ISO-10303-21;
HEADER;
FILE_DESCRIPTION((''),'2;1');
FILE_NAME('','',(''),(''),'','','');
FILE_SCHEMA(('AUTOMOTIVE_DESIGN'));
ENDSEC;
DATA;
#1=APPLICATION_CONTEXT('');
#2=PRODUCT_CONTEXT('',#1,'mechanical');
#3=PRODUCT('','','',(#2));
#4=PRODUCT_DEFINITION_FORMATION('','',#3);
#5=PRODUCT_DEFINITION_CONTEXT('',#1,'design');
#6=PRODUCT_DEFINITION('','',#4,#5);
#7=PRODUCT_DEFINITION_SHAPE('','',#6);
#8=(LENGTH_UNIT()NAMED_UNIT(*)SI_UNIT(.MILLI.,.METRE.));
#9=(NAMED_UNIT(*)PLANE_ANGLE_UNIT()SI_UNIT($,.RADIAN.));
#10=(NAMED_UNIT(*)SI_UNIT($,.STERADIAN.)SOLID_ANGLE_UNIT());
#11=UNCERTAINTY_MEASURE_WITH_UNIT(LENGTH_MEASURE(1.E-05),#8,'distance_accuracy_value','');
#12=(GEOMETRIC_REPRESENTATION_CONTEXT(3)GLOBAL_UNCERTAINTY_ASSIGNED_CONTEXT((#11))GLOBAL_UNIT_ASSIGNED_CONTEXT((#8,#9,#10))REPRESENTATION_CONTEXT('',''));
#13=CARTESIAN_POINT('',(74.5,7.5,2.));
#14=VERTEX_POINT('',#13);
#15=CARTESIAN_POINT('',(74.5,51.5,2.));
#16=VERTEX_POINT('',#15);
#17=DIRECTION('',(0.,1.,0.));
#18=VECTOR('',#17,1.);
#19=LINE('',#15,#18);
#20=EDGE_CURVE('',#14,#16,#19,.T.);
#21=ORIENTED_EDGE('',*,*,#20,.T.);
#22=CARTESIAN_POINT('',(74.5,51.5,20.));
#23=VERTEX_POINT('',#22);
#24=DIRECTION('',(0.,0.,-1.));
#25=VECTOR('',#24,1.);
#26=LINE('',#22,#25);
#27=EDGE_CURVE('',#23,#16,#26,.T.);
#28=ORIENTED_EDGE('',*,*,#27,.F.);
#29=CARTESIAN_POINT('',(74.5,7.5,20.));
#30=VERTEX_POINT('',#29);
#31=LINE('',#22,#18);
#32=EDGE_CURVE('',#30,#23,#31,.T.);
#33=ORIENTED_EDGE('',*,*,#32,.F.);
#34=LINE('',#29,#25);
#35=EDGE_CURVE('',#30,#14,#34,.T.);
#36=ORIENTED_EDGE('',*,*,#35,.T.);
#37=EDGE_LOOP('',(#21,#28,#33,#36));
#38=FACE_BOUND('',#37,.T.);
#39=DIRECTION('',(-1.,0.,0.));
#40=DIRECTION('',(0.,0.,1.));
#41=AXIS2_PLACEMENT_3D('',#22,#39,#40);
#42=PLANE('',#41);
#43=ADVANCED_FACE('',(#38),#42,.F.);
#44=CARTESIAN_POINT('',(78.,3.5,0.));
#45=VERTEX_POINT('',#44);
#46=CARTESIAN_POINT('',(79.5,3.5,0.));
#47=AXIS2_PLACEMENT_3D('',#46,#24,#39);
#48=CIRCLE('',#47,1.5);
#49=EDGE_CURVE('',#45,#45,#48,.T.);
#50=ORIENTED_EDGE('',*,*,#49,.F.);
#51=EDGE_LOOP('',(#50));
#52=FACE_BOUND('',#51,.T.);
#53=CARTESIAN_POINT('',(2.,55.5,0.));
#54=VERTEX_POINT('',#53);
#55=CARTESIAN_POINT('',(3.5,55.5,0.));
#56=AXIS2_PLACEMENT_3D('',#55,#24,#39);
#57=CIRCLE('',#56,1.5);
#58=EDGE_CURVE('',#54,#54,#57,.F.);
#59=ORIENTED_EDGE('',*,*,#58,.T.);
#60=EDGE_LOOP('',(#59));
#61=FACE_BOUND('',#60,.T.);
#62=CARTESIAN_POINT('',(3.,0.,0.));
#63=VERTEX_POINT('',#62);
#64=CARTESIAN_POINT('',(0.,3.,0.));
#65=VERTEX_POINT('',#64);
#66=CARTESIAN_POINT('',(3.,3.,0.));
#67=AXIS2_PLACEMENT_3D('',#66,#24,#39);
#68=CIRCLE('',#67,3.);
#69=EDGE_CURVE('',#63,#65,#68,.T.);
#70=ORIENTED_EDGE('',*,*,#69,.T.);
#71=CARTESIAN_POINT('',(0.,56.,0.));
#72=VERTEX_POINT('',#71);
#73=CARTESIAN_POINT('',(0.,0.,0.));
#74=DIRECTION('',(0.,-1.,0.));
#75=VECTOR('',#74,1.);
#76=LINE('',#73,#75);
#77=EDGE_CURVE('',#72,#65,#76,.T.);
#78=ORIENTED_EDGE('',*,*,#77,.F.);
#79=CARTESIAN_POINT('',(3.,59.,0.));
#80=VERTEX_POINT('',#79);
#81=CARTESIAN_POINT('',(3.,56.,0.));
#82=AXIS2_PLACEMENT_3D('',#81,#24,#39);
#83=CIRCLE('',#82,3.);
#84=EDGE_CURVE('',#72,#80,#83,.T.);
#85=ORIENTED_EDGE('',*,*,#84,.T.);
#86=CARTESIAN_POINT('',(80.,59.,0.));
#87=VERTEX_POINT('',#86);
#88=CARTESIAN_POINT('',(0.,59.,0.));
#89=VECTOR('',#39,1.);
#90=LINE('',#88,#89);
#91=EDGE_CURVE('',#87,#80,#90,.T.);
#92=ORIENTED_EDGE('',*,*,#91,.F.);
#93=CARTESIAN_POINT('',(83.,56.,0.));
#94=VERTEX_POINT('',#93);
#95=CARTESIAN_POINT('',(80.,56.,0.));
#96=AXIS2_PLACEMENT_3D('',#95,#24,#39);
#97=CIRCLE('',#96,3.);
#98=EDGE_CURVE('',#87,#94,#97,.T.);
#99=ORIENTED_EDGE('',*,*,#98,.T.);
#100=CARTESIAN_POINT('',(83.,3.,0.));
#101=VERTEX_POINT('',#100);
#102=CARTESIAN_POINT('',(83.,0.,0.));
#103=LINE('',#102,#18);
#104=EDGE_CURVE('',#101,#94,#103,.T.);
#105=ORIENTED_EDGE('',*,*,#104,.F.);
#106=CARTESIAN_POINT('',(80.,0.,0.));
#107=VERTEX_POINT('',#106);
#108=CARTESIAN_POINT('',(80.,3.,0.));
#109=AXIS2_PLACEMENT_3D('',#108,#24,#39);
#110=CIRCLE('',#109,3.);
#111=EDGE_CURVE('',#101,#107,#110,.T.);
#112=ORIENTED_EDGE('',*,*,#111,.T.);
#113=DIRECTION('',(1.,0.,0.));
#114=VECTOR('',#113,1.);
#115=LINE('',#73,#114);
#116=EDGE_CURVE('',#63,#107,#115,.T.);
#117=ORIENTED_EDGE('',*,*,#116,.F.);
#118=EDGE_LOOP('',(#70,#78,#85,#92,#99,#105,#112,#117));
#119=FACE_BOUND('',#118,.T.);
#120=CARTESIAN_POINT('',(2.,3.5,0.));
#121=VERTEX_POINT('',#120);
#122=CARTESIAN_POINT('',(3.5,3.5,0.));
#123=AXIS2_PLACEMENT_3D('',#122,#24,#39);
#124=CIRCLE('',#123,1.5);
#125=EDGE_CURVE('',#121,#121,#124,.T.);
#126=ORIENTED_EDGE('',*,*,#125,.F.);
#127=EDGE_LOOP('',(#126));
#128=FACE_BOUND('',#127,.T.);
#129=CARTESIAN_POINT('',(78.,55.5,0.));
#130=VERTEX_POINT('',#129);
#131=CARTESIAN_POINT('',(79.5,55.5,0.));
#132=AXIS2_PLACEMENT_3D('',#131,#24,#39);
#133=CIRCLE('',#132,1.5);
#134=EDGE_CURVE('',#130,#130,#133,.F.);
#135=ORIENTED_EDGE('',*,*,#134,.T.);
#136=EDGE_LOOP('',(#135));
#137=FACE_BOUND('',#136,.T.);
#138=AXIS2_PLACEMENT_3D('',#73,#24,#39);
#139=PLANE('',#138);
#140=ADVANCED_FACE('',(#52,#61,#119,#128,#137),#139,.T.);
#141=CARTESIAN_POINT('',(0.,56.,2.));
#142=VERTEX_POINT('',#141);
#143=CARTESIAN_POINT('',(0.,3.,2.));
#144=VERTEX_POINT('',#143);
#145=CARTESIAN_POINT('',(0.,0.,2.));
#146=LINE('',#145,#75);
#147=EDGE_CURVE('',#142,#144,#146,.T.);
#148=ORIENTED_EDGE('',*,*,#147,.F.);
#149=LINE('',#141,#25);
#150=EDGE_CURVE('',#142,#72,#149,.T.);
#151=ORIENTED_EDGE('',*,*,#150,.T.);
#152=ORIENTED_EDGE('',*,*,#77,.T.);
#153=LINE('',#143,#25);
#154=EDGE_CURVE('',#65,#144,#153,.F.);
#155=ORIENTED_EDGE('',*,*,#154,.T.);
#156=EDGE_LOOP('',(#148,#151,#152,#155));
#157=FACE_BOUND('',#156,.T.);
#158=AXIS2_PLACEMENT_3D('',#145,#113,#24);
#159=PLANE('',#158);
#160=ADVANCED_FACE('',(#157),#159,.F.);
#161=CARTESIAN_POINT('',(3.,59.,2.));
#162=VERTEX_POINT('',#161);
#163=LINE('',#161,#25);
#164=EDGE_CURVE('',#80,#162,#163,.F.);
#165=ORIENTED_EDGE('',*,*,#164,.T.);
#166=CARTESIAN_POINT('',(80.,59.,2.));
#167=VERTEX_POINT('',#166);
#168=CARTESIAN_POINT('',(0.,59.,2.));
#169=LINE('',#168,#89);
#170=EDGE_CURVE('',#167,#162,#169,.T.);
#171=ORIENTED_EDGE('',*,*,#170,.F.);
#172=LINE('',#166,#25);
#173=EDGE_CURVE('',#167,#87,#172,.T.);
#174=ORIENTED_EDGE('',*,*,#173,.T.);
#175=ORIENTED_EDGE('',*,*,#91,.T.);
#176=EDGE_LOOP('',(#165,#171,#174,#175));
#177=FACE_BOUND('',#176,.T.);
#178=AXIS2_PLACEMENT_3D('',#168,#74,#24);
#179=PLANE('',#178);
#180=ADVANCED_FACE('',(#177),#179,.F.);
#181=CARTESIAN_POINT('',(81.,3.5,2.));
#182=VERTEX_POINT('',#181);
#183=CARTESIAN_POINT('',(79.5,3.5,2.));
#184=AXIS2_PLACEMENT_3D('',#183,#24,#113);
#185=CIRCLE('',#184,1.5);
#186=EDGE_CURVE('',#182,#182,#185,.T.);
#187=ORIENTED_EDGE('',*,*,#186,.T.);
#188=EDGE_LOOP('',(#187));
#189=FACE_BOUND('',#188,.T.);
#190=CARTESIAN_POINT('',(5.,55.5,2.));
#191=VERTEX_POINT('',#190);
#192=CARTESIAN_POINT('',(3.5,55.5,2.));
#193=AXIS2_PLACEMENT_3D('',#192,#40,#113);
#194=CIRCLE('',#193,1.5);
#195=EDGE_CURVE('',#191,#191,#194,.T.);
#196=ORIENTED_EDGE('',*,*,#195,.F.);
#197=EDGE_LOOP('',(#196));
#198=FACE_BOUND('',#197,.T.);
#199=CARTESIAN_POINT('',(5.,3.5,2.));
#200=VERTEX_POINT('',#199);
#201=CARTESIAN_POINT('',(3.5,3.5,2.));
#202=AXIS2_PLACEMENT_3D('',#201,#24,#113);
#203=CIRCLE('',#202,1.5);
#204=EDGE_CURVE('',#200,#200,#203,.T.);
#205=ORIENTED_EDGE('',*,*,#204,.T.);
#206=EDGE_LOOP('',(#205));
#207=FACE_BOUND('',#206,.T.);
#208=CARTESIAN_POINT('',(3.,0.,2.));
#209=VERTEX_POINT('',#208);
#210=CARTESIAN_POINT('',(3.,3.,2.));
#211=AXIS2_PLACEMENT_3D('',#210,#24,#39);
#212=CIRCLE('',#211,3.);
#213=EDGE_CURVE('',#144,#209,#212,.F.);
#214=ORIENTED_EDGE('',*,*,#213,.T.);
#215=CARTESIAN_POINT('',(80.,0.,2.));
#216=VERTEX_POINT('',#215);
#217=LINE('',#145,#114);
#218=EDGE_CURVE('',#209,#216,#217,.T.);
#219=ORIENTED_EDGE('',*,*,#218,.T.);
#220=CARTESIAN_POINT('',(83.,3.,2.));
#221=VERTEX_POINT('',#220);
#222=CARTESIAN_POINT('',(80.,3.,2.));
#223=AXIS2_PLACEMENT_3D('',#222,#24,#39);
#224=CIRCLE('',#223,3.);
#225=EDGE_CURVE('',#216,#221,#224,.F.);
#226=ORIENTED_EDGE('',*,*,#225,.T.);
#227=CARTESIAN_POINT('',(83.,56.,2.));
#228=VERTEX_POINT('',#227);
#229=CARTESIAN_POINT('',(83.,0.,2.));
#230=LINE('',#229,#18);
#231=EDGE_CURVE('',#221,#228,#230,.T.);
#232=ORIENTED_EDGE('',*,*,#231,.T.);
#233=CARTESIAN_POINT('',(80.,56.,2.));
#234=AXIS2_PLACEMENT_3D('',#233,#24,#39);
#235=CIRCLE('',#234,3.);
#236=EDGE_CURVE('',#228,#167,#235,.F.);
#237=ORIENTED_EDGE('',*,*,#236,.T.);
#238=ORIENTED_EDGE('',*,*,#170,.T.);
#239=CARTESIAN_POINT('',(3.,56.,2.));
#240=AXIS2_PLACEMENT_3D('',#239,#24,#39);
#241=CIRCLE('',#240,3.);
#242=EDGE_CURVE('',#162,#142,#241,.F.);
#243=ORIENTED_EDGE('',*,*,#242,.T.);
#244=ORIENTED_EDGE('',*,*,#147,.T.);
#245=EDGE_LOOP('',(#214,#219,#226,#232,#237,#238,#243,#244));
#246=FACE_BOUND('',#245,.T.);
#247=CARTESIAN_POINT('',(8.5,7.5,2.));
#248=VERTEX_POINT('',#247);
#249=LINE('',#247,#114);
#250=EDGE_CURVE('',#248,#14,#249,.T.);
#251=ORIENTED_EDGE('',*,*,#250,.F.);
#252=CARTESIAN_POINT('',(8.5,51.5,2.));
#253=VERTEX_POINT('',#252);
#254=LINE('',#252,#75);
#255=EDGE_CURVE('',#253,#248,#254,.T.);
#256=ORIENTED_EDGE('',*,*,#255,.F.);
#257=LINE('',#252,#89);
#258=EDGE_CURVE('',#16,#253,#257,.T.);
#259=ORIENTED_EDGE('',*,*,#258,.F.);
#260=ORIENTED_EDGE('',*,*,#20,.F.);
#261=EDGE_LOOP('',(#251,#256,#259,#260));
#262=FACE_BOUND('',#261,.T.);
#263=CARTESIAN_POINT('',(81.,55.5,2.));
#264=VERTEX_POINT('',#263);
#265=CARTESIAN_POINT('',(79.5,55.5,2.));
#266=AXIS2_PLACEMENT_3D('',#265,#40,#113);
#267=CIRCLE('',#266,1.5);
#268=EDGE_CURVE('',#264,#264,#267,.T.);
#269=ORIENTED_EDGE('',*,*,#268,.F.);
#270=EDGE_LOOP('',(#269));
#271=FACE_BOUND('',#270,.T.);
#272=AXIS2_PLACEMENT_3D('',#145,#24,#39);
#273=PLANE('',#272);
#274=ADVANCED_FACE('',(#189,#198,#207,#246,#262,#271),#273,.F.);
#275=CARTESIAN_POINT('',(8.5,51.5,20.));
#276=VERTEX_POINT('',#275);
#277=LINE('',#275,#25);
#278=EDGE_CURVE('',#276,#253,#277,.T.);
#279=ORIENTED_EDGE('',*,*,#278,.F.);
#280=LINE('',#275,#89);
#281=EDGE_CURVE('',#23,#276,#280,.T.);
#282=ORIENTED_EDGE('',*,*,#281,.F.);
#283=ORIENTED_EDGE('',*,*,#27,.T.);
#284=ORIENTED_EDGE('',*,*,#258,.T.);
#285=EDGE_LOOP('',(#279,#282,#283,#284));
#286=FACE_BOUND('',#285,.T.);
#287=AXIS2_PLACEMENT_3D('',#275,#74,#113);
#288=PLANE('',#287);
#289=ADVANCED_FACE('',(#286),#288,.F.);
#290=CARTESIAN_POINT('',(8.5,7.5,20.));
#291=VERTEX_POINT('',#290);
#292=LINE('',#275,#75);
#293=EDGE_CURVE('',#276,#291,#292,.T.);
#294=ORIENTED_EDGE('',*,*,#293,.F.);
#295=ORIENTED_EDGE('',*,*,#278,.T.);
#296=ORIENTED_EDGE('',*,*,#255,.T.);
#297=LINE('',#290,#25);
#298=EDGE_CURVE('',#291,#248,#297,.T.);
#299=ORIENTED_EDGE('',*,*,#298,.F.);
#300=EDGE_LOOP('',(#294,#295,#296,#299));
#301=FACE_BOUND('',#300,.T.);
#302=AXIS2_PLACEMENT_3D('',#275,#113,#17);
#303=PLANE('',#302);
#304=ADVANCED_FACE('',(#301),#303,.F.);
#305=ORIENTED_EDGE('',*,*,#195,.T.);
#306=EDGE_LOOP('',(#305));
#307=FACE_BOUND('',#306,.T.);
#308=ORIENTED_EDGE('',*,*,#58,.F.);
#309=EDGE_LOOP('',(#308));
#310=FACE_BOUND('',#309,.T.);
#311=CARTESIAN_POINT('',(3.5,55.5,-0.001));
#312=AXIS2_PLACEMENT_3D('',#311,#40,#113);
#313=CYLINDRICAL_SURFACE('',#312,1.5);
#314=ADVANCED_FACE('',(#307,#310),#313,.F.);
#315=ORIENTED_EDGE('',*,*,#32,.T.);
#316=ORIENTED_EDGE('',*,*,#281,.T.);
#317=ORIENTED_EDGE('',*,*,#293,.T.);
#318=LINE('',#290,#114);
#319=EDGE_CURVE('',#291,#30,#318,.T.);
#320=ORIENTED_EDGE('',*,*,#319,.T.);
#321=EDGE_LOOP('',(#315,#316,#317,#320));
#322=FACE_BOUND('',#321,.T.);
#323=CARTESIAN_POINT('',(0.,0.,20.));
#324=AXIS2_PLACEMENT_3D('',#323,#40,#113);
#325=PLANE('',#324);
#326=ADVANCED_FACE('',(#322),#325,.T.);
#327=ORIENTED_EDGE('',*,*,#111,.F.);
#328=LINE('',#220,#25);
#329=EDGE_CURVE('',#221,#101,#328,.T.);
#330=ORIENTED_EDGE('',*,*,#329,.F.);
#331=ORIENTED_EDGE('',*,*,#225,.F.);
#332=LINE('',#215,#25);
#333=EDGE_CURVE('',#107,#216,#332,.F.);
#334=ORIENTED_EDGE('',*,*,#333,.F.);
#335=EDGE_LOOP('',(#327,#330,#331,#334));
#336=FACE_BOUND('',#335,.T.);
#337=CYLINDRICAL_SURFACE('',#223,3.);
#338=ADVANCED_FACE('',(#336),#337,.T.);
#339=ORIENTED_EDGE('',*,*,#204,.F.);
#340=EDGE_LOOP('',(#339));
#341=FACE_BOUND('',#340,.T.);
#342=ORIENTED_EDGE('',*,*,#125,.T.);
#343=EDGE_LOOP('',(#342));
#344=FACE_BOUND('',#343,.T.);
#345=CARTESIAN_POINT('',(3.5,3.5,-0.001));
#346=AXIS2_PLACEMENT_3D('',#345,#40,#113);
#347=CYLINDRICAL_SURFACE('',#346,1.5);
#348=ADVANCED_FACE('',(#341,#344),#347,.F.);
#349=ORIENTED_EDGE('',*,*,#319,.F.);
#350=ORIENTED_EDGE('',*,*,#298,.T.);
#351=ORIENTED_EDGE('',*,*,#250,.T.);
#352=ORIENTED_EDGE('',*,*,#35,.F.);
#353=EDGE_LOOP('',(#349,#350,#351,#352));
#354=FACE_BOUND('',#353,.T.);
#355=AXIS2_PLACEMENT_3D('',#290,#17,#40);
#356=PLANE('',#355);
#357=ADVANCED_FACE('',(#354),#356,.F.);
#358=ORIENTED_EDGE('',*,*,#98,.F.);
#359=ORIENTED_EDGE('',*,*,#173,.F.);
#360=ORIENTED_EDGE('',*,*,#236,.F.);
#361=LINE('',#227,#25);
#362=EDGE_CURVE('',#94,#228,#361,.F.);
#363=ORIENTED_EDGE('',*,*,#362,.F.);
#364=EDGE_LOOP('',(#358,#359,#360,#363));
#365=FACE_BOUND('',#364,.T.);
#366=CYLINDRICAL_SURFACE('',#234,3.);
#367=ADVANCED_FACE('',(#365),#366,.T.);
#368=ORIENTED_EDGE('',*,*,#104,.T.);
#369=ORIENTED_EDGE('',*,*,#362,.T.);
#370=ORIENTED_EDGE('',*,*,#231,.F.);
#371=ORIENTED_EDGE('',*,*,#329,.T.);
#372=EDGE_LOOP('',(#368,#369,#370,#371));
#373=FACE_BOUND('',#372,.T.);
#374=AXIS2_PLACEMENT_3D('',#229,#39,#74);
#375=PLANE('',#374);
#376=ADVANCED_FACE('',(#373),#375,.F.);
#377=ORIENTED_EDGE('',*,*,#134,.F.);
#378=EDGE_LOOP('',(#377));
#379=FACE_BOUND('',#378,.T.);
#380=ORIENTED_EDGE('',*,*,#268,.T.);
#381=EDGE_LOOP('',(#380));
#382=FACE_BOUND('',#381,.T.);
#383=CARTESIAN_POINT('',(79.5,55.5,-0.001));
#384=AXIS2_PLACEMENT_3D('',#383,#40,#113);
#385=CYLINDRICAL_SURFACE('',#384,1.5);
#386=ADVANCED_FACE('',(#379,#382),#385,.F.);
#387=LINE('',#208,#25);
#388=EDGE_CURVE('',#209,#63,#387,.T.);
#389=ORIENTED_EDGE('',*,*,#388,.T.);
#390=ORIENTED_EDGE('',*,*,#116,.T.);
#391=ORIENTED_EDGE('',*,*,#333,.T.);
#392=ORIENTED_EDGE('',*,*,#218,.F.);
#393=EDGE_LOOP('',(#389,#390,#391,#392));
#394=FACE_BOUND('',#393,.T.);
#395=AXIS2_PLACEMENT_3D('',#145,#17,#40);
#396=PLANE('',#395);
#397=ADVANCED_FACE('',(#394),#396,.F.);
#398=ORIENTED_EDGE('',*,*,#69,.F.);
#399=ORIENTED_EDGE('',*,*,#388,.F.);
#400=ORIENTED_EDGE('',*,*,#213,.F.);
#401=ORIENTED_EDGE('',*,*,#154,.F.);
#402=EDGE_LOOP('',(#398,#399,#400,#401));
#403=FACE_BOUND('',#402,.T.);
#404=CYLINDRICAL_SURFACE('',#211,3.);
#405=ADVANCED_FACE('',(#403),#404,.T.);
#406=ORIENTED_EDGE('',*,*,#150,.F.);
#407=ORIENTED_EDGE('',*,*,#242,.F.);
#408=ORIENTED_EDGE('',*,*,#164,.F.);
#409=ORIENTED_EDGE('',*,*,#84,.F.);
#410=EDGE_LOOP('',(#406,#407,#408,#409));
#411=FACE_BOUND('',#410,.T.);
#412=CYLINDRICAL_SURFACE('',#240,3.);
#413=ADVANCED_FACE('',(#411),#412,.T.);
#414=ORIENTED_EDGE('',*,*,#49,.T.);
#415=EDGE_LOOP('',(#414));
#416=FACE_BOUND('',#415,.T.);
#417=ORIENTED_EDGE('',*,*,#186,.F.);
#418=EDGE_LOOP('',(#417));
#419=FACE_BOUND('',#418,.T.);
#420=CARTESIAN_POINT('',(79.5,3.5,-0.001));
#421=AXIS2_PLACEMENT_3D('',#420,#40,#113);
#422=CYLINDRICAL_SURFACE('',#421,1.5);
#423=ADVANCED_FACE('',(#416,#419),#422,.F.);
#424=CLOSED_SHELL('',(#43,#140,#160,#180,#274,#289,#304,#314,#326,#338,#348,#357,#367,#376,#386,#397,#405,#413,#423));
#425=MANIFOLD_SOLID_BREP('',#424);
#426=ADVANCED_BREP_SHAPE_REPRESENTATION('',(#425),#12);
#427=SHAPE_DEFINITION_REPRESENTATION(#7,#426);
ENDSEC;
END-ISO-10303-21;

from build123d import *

# Parameters (mm, degrees)
SKETCH1_W           = 83
SKETCH1_H           = 59
BOSS_EXTRUDE1_DEPTH = 2
FILLET1_R           = 3
SKETCH2_R           = 1.5
CUT_EXTRUDE1_DEPTH  = 2
SKETCH4_W           = 66
SKETCH4_H           = 44
BOSS_EXTRUDE2_DEPTH = 18


with BuildPart() as part:
    # Sketch1 → Boss-Extrude1 (new body)
    with BuildSketch(Plane.XY):
        with Locations((41.5, 29.5)):
            Rectangle(SKETCH1_W, SKETCH1_H)
    extrude(amount=BOSS_EXTRUDE1_DEPTH)

    # Fillet1
    fillet1_edges = [part.edges().sort_by_distance(p)[0] for p in [
        (0, 59, 1),
        (83, 59, 1),
        (83, 0, 1),
        (0, 0, 1),
    ]]
    fillet(fillet1_edges, radius=FILLET1_R)

    # Sketch2 → Cut-Extrude1 (cut)
    with BuildSketch(Plane.XY.offset(2)):
        with Locations((3.5, 55.5)):
            Circle(SKETCH2_R)
        with Locations((79.5, 55.5)):
            Circle(SKETCH2_R)
    cut_extrude1 = extrude(amount=-CUT_EXTRUDE1_DEPTH, mode=Mode.SUBTRACT)

    # Mirror1: Cut-Extrude1 across plane
    add(cut_extrude1.mirror(Plane(origin=(0, 29.5, 0), x_dir=(0, 0, 1), z_dir=(0, -1, 0))), mode=Mode.SUBTRACT)

    # Sketch4 → Boss-Extrude2 (add)
    with BuildSketch(Plane.XY.offset(2)):
        with Locations((41.5, 29.5)):
            Rectangle(SKETCH4_W, SKETCH4_H)
    extrude(amount=BOSS_EXTRUDE2_DEPTH)


solid = part.part
